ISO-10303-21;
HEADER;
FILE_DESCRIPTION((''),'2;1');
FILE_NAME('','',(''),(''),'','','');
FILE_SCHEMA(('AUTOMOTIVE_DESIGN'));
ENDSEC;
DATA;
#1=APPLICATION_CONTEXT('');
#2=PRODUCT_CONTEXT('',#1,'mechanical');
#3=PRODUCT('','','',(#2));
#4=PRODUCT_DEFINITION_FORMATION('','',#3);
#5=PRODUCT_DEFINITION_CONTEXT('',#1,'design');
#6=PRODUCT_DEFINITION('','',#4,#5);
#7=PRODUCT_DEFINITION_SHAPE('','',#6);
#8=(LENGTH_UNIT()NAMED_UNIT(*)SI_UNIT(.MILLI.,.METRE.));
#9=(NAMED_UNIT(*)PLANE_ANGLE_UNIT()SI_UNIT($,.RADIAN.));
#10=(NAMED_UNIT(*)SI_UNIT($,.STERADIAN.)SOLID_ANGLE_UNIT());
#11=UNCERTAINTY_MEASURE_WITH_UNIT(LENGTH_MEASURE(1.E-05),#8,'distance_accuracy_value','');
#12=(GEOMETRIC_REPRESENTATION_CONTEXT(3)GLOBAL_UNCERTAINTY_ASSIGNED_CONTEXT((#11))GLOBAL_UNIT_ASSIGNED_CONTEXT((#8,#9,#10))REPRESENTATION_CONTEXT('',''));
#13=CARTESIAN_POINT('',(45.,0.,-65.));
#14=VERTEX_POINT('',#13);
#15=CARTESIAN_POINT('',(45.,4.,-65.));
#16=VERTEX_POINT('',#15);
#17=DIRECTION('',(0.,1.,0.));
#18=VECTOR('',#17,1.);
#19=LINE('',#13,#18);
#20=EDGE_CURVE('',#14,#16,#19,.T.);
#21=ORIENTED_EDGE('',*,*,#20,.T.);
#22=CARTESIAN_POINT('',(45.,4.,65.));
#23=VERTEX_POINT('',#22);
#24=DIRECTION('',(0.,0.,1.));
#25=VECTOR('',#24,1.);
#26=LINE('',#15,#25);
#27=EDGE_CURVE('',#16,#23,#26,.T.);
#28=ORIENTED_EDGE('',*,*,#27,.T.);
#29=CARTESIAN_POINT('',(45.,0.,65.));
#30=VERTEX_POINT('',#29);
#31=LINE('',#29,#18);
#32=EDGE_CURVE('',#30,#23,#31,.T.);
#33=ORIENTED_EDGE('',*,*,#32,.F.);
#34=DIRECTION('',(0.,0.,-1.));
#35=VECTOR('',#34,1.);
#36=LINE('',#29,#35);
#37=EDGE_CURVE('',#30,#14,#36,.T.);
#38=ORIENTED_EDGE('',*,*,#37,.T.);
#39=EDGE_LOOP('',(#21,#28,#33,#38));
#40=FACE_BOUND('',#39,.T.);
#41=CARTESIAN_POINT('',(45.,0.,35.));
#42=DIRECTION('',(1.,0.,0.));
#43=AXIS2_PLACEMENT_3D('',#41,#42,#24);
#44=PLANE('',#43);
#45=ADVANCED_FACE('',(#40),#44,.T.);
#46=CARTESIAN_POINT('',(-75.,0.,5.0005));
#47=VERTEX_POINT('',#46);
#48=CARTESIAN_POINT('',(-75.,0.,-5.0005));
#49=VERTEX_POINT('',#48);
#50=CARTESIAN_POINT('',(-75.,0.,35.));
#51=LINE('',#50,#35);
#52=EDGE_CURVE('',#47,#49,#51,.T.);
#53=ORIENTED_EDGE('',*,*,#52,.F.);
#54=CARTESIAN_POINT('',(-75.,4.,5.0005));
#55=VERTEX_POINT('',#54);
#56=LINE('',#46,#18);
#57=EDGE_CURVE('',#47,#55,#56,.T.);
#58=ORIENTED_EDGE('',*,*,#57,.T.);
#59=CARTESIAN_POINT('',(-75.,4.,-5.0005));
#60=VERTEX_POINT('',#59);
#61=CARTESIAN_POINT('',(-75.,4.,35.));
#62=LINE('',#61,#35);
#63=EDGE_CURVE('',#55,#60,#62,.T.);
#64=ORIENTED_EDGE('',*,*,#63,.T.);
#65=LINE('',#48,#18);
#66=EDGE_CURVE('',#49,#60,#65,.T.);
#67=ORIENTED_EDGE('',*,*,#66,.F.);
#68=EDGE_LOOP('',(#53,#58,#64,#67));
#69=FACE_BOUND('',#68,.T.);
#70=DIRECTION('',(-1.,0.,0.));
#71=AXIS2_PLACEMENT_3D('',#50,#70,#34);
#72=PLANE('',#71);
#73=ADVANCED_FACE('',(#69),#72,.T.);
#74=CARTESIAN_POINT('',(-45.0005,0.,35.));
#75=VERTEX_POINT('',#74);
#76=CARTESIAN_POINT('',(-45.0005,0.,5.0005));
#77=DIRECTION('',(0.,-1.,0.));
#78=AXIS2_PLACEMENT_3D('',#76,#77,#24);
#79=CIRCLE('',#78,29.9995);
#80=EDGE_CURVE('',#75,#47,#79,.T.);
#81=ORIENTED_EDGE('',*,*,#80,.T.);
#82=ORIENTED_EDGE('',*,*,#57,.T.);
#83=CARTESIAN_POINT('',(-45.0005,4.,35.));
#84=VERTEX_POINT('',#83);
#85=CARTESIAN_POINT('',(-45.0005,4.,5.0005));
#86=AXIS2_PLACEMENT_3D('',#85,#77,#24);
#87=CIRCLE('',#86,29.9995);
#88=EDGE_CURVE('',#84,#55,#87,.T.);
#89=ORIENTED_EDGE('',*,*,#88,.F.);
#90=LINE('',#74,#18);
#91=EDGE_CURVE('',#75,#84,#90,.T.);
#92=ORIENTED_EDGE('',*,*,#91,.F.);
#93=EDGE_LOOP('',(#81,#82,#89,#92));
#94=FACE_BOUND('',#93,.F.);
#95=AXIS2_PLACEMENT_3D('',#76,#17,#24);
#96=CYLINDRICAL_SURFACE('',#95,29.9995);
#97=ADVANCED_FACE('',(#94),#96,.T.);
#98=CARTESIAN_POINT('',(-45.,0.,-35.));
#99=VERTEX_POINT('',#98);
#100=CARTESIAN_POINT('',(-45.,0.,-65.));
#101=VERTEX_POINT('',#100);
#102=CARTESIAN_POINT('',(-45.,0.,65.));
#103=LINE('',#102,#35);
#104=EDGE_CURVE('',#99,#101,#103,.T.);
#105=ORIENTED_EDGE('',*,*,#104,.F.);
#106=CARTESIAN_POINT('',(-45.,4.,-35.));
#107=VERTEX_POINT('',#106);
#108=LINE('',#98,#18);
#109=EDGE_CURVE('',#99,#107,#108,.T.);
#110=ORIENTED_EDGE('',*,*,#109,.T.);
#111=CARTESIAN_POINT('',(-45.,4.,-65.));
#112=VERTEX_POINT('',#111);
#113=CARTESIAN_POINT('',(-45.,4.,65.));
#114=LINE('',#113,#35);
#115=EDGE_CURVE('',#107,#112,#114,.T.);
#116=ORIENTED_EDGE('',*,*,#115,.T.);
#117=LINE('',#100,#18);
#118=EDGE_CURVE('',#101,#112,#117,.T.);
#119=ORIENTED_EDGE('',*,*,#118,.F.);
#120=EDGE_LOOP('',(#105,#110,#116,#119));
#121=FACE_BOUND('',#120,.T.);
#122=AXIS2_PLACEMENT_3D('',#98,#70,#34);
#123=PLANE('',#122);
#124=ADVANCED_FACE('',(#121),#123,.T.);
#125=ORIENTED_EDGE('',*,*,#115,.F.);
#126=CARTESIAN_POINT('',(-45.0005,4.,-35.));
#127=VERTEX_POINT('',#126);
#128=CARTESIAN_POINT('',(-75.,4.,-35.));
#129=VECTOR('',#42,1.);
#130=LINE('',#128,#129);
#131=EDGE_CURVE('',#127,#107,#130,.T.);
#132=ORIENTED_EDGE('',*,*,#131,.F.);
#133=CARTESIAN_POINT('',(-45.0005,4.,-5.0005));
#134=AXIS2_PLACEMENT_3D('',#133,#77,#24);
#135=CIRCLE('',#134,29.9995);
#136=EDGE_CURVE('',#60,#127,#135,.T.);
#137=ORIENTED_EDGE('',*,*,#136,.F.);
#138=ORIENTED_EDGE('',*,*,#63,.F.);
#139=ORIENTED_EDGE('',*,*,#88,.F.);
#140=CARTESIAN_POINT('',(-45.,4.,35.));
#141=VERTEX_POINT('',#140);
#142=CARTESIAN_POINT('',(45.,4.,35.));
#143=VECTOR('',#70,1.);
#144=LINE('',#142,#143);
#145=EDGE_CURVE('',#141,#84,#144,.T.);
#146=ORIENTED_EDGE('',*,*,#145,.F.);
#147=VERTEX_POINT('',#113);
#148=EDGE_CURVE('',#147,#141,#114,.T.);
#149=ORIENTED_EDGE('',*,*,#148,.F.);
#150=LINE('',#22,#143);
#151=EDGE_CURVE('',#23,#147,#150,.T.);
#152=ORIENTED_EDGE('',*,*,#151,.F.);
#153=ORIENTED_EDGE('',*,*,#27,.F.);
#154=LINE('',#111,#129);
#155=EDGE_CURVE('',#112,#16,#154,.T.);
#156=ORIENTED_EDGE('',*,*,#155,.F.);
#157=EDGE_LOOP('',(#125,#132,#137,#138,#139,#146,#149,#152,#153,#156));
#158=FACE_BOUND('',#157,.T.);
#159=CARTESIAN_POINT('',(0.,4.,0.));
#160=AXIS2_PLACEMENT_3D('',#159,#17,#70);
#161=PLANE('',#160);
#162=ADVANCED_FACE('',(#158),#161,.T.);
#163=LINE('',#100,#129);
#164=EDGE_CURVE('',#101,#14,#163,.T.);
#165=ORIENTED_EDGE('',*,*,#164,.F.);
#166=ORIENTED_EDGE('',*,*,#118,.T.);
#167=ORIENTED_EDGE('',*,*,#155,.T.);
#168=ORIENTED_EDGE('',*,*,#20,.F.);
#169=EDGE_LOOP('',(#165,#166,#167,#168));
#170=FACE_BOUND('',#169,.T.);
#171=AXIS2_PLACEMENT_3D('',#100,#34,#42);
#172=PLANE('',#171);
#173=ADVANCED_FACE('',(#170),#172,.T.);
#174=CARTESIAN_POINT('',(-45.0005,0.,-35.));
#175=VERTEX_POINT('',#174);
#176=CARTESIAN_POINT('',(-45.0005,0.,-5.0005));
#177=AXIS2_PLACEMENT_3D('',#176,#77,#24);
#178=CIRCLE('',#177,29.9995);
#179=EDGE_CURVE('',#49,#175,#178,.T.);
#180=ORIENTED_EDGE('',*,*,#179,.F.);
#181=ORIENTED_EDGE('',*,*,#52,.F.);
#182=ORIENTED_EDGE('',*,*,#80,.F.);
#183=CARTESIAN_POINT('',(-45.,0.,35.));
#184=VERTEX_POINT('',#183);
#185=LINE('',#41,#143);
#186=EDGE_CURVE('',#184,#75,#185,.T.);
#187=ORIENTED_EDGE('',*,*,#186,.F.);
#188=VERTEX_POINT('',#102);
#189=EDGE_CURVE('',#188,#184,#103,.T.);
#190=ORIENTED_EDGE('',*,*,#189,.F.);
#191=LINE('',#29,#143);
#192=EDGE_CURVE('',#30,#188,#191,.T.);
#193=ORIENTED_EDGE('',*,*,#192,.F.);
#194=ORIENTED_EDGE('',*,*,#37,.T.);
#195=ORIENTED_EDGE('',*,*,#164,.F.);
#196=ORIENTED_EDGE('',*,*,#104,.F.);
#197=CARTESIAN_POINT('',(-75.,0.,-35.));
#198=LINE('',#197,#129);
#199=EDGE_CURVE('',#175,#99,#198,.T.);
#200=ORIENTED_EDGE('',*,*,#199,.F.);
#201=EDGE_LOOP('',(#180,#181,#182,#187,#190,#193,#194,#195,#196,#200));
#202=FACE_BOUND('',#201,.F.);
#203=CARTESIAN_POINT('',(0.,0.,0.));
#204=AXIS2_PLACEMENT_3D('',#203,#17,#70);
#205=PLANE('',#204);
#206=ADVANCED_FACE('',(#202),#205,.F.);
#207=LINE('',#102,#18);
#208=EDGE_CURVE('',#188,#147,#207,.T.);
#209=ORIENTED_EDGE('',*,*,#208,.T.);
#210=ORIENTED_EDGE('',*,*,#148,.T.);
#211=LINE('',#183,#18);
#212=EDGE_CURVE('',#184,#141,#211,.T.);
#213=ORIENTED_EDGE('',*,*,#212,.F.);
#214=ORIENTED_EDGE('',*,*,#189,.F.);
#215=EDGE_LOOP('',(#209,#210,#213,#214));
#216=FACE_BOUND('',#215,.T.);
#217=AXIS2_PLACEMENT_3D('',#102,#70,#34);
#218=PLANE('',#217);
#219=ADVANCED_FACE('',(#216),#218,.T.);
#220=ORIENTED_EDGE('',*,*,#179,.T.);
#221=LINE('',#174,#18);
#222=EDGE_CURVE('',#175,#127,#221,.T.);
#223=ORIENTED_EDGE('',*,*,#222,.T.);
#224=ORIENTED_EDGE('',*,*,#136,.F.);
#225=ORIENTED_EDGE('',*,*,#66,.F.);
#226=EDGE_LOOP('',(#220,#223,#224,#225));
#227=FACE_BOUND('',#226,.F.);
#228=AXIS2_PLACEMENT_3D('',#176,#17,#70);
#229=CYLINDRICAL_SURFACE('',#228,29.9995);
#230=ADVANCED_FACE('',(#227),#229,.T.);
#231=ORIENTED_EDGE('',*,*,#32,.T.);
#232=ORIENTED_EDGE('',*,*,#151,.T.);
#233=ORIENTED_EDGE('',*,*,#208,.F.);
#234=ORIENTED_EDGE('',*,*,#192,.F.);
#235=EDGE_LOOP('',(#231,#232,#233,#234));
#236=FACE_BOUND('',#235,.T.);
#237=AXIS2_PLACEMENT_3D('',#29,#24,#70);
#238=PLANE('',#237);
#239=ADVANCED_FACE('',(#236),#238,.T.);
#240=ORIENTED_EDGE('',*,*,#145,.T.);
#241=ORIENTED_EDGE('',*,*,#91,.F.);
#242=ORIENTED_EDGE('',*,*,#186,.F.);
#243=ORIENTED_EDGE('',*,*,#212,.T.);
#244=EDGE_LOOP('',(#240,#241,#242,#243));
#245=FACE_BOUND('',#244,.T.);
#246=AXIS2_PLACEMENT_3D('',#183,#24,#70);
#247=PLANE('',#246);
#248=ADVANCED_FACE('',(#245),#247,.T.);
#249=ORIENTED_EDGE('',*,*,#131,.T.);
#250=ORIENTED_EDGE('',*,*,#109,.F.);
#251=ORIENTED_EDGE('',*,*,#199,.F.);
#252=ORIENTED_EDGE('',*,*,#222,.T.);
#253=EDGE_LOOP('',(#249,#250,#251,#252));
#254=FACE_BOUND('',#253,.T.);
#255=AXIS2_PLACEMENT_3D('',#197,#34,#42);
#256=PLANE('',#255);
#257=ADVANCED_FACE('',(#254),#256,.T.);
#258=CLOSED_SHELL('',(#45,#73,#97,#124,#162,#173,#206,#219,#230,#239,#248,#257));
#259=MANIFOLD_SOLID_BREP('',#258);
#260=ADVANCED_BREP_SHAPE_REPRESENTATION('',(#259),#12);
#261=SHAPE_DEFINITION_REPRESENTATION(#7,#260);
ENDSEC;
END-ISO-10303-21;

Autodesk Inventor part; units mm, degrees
ref_plane "YZ Plane" through (0, 0, 0) normal (1, 0, 0) x (0, 1, 0)
ref_plane "XZ Plane" through (0, 0, 0) normal (0, 1, 0) x (-1, 0, 0)
ref_plane "XY Plane" through (0, 0, 0) normal (0, 0, 1) x (1, 0, 0)
sketch "Sketch1" plane through (0, 0, 0) normal (0, 1, 0) x (-1, 0, 0)
  line L0 (-45, 65) -> (45, 65)
  line L1 (45, 65) -> (45, -65)
  line L2 (45, -65) -> (-45, -65)
  line L3 (-45, -65) -> (-45, 65)
  line L4 (-45, 65) -> (45, -65) construction
  line L5 (45, 65) -> (-45, -65) construction
  line L6 (-45, 35) -> (75, 35)
  line L7 (75, 35) -> (75, -35)
  line L8 (75, -35) -> (-45, -35)
  line L9 (-45, -35) -> (-45, 35)
  line L10 (0, 0) -> (75, 0) construction
  dimension "d0" = 90
  dimension "d1" = 130
  dimension "d2" = 70
  dimension "d3" = 120
extrude "Extrusion1" add sketch "Sketch1" along normal blind 4
fillet "Fillet1" radius 30 2 edges at (-75, 2, -35) (-75, 2, 35)
properties part number "Plate 2"
